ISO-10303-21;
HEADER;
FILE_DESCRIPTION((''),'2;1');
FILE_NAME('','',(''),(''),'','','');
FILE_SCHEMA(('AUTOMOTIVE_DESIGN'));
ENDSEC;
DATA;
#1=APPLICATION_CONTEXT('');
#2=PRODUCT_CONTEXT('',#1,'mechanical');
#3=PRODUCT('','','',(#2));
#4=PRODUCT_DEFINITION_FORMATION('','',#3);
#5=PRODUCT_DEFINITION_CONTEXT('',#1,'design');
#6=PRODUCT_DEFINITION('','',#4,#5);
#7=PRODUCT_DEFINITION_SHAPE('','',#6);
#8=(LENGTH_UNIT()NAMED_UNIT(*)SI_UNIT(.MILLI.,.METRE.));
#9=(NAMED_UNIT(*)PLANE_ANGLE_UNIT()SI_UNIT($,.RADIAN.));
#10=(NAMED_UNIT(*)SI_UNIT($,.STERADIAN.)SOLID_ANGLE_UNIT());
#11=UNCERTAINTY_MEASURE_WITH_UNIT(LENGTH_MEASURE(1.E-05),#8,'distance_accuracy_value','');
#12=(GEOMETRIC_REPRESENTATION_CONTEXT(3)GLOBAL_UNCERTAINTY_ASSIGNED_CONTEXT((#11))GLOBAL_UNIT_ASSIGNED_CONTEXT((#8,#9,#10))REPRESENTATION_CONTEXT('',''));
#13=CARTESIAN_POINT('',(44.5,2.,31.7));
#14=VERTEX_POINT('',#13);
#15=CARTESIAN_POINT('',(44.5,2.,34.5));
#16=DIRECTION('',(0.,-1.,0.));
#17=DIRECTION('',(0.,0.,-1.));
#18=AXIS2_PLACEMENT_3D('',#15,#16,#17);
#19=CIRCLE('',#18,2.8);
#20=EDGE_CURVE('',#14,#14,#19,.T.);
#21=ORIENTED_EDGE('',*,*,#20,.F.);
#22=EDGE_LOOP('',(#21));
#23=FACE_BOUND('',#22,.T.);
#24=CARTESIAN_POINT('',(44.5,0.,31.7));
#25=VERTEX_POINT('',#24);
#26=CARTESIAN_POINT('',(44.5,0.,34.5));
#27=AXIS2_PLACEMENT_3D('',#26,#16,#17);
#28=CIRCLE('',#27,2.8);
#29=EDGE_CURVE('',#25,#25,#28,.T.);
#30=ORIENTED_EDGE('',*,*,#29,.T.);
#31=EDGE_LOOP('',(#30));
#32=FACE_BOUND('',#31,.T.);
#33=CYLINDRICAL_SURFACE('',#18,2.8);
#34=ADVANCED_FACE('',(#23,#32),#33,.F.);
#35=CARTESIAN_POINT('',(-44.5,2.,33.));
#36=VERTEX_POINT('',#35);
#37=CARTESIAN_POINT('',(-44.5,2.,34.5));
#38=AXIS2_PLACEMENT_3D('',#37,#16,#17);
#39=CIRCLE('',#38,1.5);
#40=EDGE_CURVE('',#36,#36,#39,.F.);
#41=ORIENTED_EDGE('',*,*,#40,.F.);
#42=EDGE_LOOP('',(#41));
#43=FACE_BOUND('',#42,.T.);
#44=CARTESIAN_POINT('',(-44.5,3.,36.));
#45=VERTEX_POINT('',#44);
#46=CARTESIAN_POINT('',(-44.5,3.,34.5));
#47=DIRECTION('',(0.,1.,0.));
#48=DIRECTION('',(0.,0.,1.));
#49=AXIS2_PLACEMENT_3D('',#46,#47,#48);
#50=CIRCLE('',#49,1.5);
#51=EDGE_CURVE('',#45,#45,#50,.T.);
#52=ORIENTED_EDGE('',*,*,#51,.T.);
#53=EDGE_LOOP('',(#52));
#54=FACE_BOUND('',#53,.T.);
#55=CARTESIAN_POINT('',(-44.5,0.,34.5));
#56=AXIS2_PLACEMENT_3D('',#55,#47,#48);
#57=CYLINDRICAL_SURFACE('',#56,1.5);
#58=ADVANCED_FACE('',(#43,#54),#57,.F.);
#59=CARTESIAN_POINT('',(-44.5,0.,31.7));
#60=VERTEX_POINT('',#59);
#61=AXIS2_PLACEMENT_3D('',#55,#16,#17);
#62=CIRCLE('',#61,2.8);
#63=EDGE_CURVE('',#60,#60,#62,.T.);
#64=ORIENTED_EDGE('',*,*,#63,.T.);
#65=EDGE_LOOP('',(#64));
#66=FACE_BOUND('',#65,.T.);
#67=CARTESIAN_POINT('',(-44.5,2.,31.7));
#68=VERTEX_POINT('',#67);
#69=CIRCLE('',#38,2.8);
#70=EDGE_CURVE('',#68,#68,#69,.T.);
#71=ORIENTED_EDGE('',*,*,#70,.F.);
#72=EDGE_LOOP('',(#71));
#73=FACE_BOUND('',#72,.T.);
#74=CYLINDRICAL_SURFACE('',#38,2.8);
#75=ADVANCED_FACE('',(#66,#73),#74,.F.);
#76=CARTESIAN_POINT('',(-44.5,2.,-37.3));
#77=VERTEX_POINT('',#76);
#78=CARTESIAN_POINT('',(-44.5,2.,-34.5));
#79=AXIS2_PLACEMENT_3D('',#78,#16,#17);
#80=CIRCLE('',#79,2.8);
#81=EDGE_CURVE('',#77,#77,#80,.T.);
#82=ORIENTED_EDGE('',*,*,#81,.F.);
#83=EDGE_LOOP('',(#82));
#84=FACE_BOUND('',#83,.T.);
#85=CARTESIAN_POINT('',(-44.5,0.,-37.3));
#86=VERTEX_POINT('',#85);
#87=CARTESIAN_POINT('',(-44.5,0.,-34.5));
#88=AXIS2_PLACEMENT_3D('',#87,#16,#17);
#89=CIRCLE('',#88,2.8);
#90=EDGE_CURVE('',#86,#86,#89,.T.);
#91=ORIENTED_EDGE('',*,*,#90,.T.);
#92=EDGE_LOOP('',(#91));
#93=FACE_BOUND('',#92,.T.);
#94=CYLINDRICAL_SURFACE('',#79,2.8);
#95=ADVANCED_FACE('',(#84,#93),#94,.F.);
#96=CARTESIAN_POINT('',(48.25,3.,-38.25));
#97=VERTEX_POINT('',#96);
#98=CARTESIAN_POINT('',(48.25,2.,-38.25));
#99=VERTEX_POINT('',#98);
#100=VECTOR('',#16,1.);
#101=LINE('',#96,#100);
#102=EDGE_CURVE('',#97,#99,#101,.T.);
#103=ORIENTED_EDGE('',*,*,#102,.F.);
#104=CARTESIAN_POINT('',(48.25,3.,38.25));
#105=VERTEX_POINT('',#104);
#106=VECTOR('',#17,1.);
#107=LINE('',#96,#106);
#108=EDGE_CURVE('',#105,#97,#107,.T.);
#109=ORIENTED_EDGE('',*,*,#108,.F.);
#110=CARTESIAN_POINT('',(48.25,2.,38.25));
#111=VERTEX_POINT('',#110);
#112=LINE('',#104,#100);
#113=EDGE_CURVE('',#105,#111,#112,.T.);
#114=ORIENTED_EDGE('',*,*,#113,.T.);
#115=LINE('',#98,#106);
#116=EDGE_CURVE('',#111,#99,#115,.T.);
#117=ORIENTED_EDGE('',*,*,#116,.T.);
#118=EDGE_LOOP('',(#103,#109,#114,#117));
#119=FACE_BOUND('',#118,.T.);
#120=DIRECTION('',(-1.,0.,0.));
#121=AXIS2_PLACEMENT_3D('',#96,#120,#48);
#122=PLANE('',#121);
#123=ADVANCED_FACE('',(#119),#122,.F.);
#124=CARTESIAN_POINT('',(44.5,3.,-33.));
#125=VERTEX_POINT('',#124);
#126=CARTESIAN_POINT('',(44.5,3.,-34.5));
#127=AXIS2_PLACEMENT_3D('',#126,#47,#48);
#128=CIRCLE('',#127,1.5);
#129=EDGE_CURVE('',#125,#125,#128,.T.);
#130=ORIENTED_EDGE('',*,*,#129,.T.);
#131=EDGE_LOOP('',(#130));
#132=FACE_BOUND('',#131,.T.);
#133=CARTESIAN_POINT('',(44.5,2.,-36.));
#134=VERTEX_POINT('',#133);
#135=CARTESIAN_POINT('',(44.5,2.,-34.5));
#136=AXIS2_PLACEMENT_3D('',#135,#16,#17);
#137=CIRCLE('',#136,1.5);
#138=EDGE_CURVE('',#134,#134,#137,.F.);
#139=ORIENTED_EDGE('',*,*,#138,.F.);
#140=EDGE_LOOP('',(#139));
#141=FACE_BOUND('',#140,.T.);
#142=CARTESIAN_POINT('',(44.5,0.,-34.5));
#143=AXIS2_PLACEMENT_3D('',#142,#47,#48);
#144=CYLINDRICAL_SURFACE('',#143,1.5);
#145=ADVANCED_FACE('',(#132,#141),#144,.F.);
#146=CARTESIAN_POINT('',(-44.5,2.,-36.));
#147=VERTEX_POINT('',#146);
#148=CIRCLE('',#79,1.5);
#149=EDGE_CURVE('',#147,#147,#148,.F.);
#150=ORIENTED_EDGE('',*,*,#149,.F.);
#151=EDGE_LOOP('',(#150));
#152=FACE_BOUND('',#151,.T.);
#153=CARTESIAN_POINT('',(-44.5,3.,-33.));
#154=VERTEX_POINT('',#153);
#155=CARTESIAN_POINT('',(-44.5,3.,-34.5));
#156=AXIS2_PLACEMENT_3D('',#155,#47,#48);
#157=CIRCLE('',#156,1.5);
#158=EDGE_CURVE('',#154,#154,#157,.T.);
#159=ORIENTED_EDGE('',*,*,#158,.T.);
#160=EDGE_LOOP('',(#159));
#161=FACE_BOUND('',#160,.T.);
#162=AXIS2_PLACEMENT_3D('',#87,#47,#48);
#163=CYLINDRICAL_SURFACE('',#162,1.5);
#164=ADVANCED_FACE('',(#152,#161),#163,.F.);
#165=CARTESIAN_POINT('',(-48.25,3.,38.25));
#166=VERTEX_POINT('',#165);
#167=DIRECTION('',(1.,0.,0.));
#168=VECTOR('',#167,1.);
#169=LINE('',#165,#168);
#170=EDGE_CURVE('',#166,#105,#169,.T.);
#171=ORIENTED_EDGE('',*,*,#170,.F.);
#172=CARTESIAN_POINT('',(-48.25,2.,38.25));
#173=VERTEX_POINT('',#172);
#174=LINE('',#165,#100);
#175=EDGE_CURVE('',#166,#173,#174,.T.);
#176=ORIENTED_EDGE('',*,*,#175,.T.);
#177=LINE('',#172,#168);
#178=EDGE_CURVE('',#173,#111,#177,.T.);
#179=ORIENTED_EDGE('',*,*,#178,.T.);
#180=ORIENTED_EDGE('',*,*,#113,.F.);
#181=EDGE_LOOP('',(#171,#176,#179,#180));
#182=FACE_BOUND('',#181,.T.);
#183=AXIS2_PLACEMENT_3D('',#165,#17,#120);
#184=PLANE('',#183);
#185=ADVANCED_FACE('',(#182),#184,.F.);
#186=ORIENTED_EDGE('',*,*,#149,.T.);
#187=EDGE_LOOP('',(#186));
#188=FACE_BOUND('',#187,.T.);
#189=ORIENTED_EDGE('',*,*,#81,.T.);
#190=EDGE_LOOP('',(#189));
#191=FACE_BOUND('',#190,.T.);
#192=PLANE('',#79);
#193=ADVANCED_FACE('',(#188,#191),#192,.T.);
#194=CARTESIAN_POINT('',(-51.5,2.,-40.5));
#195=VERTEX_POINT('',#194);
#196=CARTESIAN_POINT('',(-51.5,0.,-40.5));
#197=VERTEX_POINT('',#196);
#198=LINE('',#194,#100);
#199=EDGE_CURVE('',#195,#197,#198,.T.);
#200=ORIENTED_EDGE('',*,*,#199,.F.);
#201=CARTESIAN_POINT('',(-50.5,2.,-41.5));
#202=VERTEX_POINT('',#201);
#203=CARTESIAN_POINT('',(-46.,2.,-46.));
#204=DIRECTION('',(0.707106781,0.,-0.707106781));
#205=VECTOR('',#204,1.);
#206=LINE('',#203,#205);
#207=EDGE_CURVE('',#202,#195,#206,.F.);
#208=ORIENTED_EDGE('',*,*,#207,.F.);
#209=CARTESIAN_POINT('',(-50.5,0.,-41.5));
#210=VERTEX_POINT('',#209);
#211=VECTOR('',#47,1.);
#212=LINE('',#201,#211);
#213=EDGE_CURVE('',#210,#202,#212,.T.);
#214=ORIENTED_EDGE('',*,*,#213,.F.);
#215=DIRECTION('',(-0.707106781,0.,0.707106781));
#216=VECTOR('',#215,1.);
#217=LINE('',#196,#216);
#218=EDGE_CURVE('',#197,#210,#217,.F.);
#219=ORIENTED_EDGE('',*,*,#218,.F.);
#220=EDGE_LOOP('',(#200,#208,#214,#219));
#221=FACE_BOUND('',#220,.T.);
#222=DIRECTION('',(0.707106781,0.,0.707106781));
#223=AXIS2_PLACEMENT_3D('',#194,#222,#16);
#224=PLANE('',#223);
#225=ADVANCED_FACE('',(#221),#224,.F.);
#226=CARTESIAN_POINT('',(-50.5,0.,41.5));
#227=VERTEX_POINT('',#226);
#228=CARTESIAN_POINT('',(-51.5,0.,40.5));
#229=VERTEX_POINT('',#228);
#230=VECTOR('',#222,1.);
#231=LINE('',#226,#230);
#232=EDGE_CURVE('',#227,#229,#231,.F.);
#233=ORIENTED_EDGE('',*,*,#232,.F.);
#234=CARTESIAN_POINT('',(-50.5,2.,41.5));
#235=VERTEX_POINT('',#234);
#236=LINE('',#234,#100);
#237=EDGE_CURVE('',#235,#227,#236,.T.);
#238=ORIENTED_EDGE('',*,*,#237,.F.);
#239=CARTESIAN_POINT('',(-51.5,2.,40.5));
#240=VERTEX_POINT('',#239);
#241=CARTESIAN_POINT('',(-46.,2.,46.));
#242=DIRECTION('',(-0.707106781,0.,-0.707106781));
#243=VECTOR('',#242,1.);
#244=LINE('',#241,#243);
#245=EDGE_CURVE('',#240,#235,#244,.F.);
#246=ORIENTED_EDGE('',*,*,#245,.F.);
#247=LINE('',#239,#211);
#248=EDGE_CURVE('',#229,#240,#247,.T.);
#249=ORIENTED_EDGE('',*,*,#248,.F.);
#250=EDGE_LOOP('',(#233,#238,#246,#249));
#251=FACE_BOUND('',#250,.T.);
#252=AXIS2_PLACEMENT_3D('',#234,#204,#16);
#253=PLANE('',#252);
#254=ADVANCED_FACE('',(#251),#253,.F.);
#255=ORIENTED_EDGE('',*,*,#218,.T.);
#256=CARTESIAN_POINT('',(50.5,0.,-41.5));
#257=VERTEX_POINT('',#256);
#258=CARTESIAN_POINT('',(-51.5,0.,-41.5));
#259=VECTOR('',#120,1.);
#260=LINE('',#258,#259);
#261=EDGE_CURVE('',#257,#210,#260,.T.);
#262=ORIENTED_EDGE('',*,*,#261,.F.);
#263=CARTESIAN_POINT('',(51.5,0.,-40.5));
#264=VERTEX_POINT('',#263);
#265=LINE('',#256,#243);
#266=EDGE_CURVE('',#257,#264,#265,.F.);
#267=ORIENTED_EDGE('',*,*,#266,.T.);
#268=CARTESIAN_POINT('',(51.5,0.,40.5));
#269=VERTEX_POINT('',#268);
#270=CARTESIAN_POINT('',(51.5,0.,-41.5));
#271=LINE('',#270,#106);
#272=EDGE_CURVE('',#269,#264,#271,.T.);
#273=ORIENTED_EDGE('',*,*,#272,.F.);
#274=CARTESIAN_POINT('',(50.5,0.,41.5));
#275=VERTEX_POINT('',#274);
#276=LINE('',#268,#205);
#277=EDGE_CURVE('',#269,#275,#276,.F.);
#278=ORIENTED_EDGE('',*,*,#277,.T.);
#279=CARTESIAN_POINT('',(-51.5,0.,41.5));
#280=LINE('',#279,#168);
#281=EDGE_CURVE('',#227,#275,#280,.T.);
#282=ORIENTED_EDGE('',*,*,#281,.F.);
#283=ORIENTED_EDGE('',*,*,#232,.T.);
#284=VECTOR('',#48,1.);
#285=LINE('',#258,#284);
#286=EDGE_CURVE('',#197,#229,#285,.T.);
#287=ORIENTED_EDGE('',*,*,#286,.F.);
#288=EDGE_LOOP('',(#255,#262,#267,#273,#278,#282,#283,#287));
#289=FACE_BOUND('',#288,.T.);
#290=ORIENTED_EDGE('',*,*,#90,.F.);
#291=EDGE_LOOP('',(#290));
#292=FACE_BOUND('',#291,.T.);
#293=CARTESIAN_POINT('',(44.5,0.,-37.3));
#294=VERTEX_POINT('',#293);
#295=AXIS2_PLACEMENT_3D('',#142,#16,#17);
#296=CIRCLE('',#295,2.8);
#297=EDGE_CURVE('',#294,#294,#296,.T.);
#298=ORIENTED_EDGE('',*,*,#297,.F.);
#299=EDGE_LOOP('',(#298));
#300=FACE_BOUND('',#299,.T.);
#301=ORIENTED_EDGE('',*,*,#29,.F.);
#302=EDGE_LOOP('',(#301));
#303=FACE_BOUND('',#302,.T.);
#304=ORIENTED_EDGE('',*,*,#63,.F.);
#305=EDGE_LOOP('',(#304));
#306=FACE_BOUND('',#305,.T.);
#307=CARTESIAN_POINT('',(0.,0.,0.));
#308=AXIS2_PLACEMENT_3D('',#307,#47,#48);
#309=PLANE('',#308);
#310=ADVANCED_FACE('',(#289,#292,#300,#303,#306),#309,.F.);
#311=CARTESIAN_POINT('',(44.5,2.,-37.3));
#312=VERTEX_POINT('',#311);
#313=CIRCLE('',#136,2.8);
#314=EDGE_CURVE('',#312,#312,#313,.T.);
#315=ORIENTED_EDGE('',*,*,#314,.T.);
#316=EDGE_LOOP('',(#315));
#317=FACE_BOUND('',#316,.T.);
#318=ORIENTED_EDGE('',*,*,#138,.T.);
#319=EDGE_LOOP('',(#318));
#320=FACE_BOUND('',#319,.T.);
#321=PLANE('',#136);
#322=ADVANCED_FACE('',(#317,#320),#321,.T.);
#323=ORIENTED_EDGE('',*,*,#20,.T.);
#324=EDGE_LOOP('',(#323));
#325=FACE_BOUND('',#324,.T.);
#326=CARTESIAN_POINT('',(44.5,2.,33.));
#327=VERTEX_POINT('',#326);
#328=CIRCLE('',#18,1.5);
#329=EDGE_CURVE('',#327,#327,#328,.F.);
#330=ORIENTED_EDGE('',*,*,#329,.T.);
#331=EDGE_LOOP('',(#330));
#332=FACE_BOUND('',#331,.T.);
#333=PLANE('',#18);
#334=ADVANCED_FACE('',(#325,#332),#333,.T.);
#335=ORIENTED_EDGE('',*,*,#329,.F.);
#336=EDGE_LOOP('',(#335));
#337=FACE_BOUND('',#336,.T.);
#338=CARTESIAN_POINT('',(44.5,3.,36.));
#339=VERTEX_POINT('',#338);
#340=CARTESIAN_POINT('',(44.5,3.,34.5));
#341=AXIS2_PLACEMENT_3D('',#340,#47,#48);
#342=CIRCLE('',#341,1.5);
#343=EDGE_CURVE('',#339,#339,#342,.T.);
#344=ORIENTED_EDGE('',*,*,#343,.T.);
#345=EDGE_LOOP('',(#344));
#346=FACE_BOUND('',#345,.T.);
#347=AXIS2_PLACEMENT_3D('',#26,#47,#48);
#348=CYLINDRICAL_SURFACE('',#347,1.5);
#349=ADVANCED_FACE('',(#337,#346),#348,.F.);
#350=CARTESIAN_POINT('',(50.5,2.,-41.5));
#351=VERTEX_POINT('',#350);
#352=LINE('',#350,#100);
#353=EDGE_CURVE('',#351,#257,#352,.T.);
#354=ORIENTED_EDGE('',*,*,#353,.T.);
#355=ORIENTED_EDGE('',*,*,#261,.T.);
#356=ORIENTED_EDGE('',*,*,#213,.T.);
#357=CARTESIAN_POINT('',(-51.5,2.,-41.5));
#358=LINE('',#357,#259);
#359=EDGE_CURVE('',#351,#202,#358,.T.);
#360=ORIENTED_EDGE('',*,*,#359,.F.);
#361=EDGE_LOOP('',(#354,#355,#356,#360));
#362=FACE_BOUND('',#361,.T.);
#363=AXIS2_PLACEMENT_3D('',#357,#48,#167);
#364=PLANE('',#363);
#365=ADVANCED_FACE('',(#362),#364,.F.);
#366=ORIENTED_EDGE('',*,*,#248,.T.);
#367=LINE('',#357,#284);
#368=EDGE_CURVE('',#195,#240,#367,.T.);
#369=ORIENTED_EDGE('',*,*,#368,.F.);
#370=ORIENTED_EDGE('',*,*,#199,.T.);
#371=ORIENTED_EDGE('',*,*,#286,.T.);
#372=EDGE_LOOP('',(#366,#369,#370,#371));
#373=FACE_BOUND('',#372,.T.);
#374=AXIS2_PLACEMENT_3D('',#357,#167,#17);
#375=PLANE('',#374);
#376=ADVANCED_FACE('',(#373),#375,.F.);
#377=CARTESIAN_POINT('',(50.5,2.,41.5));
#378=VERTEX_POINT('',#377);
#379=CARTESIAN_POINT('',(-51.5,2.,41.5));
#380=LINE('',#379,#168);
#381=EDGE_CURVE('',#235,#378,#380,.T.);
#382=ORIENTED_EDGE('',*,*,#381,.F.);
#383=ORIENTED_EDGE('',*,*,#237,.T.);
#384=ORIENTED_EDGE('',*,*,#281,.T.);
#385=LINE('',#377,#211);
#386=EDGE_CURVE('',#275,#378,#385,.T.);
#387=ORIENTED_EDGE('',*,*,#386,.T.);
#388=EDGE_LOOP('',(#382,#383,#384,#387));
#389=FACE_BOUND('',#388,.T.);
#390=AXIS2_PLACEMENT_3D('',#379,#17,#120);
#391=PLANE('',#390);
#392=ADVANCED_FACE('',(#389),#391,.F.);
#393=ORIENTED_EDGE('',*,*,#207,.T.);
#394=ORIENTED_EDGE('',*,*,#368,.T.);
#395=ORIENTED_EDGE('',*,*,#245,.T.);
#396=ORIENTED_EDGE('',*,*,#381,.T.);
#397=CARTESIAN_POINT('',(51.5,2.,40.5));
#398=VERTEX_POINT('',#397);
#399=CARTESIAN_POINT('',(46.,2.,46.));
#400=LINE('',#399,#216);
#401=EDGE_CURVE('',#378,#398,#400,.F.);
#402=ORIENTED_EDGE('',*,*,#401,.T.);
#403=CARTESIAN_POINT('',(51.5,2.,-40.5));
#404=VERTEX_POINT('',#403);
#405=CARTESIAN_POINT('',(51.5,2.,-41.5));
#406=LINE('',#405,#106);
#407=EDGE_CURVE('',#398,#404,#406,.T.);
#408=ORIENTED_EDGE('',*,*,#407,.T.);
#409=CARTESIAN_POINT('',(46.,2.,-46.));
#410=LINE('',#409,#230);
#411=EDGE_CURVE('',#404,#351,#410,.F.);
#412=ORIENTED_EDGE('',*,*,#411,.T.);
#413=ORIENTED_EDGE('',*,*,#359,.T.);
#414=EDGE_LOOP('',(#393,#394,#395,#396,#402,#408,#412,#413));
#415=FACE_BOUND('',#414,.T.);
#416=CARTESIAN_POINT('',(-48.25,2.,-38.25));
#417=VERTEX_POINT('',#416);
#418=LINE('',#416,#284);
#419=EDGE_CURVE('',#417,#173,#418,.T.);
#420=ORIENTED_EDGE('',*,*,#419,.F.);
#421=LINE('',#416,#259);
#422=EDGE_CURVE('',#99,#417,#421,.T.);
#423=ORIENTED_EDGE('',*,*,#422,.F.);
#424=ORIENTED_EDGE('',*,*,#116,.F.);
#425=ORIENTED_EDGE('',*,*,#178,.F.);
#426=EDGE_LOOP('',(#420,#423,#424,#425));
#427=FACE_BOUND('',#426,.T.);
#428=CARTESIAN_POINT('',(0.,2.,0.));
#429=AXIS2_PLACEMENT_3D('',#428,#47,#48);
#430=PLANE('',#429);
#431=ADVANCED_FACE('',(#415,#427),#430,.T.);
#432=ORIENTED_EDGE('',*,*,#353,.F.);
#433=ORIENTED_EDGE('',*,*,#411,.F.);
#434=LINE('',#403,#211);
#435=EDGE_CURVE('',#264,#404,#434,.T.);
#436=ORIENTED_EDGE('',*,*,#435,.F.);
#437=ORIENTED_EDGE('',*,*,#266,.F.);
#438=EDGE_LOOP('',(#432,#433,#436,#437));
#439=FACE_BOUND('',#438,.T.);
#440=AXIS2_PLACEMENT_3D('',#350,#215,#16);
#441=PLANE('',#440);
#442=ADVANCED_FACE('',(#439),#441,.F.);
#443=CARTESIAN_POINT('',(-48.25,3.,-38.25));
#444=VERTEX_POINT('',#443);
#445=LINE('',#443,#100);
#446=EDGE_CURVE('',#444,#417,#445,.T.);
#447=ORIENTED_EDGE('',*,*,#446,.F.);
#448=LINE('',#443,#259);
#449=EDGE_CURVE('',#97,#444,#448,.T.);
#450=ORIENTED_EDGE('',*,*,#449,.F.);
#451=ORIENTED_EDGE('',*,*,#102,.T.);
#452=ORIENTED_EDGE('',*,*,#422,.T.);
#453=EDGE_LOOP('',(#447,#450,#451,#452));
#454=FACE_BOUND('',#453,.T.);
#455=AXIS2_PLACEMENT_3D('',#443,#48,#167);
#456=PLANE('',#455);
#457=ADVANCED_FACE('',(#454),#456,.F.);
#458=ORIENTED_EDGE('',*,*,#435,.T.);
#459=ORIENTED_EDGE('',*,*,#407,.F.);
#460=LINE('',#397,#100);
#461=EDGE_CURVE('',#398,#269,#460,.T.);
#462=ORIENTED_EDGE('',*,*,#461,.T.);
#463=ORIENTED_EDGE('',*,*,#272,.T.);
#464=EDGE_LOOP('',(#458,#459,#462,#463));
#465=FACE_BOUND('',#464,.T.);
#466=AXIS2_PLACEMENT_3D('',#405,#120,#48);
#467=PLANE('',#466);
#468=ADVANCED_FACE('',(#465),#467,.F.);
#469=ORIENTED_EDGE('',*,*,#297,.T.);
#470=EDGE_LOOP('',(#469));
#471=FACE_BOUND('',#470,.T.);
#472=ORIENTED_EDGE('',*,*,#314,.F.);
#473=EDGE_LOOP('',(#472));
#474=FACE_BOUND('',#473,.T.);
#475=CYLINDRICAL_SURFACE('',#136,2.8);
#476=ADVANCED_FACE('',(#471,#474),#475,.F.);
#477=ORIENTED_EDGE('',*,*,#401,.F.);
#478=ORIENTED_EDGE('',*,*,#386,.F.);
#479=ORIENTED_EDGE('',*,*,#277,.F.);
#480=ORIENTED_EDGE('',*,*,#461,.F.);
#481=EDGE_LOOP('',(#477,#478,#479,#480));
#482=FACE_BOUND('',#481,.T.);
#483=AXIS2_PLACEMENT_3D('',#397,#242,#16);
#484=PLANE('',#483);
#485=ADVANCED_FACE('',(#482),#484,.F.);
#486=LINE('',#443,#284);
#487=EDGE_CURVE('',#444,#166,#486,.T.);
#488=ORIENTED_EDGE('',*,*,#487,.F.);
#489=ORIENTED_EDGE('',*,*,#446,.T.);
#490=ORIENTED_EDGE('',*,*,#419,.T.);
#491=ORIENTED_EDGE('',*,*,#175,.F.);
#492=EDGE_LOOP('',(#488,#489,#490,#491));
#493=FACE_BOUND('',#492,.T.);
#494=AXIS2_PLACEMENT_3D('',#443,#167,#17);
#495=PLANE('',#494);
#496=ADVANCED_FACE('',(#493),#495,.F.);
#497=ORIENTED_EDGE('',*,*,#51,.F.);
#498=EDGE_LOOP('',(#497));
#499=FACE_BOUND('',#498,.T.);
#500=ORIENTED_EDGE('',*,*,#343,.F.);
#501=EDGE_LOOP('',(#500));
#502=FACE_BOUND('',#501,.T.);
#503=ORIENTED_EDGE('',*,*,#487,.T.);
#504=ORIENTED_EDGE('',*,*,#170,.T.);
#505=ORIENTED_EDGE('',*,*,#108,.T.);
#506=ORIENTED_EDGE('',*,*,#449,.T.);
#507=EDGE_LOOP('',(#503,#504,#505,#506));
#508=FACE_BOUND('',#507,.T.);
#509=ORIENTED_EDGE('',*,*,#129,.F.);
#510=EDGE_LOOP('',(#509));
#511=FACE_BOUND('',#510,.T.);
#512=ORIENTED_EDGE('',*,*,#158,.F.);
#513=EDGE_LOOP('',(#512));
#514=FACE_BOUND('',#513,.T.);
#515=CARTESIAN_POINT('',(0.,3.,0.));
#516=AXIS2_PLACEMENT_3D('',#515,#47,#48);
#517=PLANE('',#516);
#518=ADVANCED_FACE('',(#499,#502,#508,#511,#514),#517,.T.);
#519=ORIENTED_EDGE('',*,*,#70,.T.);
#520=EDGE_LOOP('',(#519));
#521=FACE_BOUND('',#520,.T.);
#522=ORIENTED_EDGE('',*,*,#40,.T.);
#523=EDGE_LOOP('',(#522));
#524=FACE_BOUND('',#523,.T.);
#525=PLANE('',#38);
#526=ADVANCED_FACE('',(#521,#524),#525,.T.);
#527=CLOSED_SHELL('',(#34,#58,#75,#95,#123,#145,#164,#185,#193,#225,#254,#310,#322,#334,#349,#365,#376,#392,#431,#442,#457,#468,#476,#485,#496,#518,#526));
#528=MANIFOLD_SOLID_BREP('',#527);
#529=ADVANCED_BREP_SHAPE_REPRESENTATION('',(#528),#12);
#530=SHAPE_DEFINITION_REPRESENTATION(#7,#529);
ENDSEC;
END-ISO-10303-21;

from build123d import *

# Parameters (mm, degrees)
SKETCH1_W           = 103
SKETCH1_H           = 83
BOSS_EXTRUDE1_DEPTH = 2
SKETCH2_W           = 96.5
SKETCH2_H           = 76.5
BOSS_EXTRUDE2_DEPTH = 1
CHAMFER1_SIZE       = 1
SKETCH3_R           = 1.5
CUT_EXTRUDE1_DEPTH  = 67.208005558
SKETCH5_R           = 2.8
CUT_EXTRUDE2_DEPTH  = 2


with BuildPart() as part:
    # Sketch1 → Boss-Extrude1 (new body)
    with BuildSketch(Plane(origin=(0, 0, 0), x_dir=(1, 0, 0), z_dir=(0, 1, 0))):
        Rectangle(SKETCH1_W, SKETCH1_H)
    extrude(amount=BOSS_EXTRUDE1_DEPTH)

    # Sketch2 → Boss-Extrude2 (add)
    with BuildSketch(Plane(origin=(0, 2, 0), x_dir=(1, 0, 0), z_dir=(0, 1, 0))):
        Rectangle(SKETCH2_W, SKETCH2_H)
    extrude(amount=BOSS_EXTRUDE2_DEPTH)

    # Chamfer1
    chamfer1_edges = [part.edges().sort_by_distance(p)[0] for p in [
        (51.5, 1, 41.5),
        (-51.5, 1, 41.5),
        (-51.5, 1, -41.5),
        (51.5, 1, -41.5),
    ]]
    chamfer(chamfer1_edges, length=CHAMFER1_SIZE)

    # Sketch3 → Cut-Extrude1 (cut, through all)
    with BuildSketch(Plane(origin=(0, 3, 0), x_dir=(1, 0, 0), z_dir=(0, 1, 0))):
        with Locations(Location((-44.5, 34.5, 0), (0, 0, 270))):
            Circle(SKETCH3_R)
        with Locations(Location((44.5, 34.5, 0), (0, 0, 270))):
            Circle(SKETCH3_R)
        with Locations(Location((44.5, -34.5, 0), (0, 0, 270))):
            Circle(SKETCH3_R)
        with Locations(Location((-44.5, -34.5, 0), (0, 0, 270))):
            Circle(SKETCH3_R)
    extrude(amount=-CUT_EXTRUDE1_DEPTH, mode=Mode.SUBTRACT)

    # Sketch5 → Cut-Extrude2 (cut)
    with BuildSketch(Plane.XZ):
        with Locations(Location((-44.5, 34.5, 0), (0, 0, 270))):
            Circle(SKETCH5_R)
        with Locations(Location((44.5, 34.5, 0), (0, 0, 270))):
            Circle(SKETCH5_R)
        with Locations(Location((44.5, -34.5, 0), (0, 0, 270))):
            Circle(SKETCH5_R)
        with Locations(Location((-44.5, -34.5, 0), (0, 0, 270))):
            Circle(SKETCH5_R)
    extrude(amount=-CUT_EXTRUDE2_DEPTH, mode=Mode.SUBTRACT)


solid = part.part
